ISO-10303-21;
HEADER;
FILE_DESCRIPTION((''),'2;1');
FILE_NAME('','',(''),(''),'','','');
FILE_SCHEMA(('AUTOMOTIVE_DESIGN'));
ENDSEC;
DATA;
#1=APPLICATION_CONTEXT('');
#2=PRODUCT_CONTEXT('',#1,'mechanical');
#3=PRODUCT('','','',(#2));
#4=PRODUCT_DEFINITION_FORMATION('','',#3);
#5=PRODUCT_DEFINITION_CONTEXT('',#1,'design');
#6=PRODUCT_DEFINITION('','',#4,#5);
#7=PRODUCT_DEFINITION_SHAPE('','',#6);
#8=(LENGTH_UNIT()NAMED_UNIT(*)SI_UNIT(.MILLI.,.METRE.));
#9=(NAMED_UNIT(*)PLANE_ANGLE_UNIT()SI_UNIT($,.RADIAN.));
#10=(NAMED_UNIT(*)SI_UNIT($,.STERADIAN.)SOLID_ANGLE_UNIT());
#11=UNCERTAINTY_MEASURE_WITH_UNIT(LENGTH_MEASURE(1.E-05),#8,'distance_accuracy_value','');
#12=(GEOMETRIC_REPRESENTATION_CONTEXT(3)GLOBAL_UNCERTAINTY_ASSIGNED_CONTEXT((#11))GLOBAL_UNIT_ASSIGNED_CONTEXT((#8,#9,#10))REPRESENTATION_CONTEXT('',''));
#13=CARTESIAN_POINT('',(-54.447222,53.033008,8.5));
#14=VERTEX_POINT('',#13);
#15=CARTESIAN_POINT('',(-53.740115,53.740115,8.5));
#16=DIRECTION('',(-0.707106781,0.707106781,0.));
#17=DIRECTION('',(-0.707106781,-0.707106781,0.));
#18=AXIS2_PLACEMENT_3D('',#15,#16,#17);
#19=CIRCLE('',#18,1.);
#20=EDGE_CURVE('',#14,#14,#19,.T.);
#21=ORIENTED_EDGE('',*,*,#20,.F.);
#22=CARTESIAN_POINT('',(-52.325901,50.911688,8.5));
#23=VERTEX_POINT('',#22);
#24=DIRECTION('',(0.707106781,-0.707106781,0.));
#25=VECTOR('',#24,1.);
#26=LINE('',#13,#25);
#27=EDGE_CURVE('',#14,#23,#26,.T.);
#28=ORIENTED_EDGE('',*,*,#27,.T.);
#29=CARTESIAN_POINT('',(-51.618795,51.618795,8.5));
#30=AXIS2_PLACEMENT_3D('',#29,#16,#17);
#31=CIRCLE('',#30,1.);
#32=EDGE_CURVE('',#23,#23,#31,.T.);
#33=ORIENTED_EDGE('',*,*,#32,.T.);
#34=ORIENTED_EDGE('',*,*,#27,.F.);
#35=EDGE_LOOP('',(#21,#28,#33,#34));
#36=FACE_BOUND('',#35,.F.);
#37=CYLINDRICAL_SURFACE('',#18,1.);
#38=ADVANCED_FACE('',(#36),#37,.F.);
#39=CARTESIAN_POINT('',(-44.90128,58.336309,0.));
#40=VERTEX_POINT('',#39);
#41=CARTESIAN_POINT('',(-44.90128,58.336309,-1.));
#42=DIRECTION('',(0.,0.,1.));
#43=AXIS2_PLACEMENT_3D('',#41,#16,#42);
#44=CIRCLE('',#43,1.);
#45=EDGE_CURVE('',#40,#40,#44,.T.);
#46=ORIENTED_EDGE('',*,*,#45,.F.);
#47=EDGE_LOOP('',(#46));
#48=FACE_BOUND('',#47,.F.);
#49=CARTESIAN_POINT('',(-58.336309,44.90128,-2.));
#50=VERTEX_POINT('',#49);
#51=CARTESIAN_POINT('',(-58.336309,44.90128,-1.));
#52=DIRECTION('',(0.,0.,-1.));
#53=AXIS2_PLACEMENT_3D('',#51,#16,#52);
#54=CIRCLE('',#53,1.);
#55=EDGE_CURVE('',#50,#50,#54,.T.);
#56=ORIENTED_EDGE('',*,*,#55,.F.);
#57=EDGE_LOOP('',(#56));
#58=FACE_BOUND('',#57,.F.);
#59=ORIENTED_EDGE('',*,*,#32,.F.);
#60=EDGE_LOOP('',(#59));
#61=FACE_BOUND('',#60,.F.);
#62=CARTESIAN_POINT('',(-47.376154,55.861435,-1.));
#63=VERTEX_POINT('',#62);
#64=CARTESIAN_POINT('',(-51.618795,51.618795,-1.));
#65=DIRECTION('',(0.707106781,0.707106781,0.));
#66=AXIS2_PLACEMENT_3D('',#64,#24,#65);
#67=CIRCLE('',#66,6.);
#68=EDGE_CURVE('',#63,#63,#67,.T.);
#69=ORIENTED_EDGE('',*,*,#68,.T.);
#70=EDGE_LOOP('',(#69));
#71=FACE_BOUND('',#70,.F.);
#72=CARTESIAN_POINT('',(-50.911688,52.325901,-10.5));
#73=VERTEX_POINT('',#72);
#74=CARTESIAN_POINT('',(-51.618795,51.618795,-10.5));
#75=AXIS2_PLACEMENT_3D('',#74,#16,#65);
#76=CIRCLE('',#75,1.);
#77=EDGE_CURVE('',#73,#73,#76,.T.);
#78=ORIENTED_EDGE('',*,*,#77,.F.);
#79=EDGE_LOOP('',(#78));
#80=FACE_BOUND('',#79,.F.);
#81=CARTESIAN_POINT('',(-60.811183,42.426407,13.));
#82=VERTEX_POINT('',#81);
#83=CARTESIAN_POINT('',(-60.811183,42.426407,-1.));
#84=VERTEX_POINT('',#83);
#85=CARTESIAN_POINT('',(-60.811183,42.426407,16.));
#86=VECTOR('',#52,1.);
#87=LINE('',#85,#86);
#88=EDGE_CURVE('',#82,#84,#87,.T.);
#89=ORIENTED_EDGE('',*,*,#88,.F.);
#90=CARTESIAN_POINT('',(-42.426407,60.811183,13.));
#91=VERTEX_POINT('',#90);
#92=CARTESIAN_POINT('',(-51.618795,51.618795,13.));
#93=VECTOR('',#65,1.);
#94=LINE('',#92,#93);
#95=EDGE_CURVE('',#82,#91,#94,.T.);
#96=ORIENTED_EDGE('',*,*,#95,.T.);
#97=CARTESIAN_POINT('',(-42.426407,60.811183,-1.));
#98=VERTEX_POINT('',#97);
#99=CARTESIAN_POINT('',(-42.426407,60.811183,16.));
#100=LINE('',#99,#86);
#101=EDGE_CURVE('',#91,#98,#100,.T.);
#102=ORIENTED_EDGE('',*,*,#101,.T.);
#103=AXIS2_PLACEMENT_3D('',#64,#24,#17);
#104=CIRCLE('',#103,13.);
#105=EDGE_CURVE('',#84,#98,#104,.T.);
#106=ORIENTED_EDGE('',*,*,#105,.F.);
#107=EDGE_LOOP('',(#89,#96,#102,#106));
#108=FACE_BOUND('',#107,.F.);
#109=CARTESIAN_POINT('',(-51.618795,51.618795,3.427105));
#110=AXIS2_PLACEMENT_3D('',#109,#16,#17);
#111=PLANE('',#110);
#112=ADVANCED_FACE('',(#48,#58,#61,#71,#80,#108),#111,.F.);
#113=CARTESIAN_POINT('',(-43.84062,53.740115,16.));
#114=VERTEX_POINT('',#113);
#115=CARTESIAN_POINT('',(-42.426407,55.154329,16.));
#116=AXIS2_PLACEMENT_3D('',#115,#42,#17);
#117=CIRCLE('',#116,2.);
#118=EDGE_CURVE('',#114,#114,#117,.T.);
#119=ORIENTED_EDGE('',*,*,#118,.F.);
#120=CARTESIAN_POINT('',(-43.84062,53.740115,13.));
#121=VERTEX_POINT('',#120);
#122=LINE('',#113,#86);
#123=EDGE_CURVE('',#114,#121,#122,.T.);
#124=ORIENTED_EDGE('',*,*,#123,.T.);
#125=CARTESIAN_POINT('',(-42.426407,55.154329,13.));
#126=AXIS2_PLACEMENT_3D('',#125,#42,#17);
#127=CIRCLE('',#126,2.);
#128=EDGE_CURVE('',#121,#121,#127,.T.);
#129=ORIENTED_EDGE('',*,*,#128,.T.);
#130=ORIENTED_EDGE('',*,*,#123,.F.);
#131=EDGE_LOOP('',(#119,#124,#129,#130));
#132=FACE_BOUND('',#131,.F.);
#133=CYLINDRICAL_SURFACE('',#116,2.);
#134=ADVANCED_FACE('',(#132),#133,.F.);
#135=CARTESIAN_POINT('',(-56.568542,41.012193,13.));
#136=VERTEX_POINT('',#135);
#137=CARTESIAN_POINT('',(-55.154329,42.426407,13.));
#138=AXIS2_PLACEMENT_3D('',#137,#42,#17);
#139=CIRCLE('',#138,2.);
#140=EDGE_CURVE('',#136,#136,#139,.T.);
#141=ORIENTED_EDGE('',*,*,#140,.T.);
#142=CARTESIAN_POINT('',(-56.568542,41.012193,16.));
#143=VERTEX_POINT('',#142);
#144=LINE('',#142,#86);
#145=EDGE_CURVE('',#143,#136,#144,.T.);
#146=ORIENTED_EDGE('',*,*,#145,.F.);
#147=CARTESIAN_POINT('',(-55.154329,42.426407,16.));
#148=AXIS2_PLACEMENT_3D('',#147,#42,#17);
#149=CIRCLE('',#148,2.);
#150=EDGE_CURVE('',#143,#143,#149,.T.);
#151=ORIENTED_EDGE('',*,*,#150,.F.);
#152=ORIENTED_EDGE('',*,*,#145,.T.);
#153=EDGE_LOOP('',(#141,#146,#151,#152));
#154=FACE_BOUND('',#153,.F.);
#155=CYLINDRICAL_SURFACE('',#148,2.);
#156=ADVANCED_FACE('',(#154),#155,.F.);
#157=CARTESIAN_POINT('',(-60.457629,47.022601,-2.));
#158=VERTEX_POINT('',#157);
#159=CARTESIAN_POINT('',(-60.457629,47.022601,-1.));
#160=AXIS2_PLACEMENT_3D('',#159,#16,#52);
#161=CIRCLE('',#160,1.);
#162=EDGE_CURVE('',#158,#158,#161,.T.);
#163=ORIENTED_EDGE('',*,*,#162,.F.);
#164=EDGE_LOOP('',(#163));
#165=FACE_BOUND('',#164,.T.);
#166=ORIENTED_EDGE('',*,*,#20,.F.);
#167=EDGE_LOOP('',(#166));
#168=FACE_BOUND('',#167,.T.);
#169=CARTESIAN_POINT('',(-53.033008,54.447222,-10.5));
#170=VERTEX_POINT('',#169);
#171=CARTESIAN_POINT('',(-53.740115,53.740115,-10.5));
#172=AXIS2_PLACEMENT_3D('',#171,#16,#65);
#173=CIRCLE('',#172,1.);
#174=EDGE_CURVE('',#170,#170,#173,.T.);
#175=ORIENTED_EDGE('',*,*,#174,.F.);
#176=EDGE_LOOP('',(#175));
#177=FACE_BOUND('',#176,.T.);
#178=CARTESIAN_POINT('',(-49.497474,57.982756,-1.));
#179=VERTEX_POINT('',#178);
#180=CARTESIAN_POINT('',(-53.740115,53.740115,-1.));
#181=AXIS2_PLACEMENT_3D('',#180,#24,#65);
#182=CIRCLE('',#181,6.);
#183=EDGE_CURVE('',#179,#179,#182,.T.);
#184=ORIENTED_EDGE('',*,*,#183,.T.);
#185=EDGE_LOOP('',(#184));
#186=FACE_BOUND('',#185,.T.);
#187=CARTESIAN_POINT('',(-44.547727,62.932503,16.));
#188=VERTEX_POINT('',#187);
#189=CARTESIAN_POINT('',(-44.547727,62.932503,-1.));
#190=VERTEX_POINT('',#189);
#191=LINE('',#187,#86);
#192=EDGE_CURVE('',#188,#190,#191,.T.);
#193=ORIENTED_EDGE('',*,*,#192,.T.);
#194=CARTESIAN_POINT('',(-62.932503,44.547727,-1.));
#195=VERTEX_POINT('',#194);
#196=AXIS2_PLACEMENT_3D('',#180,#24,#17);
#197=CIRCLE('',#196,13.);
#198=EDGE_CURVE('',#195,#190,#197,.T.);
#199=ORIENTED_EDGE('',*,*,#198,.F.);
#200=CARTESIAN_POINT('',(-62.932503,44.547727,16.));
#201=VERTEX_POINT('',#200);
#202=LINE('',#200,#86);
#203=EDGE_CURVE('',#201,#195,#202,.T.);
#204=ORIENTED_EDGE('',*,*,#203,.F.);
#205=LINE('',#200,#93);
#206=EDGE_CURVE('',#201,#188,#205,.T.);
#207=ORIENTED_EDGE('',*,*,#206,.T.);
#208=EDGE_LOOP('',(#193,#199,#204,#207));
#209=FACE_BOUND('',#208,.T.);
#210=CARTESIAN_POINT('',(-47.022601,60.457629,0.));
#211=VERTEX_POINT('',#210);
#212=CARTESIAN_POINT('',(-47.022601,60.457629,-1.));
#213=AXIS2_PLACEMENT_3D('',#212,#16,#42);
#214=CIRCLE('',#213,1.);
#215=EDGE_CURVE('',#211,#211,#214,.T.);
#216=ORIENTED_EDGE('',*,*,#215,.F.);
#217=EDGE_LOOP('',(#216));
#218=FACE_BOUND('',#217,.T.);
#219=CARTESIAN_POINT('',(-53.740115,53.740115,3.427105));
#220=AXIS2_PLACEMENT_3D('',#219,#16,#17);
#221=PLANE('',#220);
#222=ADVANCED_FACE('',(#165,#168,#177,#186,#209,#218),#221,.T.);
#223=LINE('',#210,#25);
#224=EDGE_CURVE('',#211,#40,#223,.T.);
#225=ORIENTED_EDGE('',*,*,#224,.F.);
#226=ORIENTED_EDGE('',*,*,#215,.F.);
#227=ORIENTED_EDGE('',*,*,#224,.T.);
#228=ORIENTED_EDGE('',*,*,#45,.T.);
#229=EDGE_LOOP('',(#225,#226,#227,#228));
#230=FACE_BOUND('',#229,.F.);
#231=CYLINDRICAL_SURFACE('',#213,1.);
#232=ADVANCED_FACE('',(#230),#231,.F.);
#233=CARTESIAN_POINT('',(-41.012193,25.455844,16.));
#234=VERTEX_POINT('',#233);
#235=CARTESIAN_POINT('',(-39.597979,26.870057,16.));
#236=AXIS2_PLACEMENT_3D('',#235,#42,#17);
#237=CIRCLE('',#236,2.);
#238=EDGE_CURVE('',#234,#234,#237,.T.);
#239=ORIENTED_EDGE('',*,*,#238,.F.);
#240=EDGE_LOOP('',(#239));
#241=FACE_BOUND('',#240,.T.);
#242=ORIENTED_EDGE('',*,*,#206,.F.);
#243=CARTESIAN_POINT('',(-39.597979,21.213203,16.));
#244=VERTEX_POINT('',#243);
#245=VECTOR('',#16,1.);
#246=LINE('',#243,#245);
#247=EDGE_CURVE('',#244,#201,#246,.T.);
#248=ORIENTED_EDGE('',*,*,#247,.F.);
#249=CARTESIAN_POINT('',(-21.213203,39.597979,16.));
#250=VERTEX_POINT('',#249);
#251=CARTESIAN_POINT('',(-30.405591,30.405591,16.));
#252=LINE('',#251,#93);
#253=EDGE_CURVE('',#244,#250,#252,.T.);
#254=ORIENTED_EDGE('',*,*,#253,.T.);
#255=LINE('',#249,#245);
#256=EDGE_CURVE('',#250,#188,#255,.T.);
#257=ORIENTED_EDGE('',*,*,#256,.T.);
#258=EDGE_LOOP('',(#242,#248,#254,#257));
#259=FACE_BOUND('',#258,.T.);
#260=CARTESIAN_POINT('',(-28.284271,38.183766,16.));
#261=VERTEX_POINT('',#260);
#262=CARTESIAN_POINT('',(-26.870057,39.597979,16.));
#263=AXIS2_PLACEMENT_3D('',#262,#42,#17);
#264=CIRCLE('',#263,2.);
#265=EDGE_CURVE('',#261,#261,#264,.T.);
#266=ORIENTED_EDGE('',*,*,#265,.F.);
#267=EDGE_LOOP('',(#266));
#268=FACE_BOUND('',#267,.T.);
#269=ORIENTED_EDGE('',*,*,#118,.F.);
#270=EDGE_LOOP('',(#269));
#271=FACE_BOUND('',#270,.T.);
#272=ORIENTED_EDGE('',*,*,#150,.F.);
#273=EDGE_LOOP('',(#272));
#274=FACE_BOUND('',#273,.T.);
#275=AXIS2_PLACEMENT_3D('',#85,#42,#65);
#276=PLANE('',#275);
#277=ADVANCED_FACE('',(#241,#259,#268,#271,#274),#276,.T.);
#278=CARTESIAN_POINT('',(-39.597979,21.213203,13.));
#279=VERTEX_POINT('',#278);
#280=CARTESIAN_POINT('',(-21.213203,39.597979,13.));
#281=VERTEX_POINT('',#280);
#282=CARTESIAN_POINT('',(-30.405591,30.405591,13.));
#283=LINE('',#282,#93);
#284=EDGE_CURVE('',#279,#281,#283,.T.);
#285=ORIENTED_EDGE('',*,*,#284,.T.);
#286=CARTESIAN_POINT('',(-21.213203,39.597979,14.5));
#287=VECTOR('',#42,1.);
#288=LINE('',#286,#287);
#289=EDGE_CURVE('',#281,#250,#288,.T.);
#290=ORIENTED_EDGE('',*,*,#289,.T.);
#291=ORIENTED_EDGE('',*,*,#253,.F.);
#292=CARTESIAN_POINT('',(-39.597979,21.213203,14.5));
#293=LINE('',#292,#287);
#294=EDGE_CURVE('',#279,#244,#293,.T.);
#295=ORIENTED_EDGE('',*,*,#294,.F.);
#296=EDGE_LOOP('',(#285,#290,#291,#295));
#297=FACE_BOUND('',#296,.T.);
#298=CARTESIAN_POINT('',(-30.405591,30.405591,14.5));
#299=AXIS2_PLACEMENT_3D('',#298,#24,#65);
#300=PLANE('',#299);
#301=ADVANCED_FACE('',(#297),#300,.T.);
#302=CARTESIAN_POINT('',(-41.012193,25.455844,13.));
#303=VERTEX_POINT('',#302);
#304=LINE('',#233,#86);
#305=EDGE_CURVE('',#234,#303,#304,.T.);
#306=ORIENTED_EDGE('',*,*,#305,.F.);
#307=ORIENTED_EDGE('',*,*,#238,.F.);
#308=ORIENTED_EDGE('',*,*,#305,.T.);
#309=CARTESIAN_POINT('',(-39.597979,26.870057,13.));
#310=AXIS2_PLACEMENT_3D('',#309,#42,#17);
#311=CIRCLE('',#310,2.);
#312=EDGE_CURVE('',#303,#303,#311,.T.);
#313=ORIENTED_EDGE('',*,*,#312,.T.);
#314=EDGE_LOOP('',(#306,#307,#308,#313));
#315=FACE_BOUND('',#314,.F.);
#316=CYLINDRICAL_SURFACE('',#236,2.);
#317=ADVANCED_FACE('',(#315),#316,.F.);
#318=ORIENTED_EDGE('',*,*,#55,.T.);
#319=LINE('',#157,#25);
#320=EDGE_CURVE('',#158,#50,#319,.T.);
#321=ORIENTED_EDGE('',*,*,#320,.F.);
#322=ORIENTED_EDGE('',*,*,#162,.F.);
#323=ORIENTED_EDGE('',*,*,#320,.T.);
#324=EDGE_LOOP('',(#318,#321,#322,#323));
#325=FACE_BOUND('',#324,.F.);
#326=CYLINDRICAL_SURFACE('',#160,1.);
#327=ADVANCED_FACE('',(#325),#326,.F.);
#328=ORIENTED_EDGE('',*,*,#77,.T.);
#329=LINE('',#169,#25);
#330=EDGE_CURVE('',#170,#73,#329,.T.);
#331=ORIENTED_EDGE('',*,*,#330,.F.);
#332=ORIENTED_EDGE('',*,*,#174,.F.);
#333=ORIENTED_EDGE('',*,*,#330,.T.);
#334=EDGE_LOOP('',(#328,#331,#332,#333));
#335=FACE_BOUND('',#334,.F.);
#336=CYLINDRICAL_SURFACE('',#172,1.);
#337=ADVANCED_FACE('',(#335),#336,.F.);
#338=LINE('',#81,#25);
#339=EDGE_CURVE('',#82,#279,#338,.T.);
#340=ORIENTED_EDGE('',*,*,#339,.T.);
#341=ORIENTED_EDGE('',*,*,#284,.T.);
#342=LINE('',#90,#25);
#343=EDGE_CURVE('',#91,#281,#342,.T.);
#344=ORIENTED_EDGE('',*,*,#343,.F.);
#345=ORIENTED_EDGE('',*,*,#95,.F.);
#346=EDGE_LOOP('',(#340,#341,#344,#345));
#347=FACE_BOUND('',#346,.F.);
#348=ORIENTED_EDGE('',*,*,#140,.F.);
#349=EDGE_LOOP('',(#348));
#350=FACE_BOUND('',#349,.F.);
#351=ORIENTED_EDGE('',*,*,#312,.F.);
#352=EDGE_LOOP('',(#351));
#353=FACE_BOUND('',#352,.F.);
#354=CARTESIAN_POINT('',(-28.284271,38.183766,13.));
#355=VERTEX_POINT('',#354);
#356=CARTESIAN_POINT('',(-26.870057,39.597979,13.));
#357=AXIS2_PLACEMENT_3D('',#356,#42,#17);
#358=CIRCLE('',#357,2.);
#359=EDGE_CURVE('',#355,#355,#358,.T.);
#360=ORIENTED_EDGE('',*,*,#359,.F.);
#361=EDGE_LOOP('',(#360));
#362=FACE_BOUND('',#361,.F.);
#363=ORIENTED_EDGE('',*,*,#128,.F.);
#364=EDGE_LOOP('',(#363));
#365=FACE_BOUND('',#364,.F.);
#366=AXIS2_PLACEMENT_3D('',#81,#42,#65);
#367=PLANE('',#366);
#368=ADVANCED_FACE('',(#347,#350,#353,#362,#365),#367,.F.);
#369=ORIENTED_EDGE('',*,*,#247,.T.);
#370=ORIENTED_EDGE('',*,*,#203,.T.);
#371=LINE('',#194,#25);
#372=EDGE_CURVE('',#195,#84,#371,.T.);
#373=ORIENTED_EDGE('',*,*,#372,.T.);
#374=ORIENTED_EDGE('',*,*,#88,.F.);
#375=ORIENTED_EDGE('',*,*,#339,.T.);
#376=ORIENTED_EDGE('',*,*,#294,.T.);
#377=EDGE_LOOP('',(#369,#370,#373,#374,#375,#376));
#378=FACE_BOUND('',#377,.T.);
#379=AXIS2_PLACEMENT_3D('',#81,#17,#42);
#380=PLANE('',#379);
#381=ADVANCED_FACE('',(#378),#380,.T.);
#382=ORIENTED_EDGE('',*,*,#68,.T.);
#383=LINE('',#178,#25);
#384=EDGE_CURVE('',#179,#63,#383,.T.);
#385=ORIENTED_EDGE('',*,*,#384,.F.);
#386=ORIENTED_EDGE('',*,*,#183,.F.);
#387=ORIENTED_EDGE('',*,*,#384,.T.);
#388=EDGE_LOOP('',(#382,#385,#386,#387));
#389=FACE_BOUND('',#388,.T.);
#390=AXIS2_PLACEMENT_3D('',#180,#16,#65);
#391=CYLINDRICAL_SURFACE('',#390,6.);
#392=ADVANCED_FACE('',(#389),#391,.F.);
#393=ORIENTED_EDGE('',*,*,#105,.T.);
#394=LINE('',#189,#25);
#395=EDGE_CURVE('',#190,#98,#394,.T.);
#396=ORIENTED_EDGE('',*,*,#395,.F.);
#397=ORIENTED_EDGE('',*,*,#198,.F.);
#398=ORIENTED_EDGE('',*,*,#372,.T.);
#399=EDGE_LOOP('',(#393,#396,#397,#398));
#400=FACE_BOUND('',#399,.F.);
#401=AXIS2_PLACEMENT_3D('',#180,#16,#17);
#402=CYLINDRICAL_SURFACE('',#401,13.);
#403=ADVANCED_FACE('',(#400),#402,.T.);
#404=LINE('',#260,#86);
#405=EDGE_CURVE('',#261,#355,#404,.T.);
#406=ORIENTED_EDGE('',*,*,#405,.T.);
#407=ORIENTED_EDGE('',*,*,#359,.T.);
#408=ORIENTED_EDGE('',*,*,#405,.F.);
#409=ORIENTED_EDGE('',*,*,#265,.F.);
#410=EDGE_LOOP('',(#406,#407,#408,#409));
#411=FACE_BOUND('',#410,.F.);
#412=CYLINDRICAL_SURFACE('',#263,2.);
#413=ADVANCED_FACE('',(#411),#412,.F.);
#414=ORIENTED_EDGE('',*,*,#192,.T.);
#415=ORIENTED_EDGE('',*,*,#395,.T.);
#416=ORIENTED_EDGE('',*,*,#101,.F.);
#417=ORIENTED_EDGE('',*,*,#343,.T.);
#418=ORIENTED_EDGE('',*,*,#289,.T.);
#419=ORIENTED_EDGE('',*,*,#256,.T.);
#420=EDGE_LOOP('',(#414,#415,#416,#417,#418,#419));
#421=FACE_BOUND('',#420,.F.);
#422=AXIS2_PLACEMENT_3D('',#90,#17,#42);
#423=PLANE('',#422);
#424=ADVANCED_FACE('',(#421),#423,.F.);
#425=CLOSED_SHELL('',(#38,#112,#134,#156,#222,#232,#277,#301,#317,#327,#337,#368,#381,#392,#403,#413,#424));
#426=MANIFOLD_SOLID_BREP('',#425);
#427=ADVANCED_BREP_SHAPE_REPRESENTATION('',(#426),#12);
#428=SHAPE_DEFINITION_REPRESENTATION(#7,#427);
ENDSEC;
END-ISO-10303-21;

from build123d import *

# Parameters (mm, degrees)
SKETCH084_R             = 6
PAD062_DEPTH            = 3
SKETCH085_W             = 26
SKETCH085_H             = 3
PAD063_DEPTH            = 30
SKETCH086_R             = 2
POCKET029_DEPTH         = 30.001
SKETCH087_R             = 1
POCKET030_DEPTH         = 136.248276
POLARPATTERN012_COUNT   = 4
BODY038_PLACEMENT_ANGLE = 45


with BuildPart() as part:
    # Sketch084 → Pad062 (new body)
    with BuildSketch(Plane.XZ):
        with BuildLine():
            Line((-13, 17), (13, 17))
            Line((13, 17), (13, 0))
            ThreePointArc((-13, 0), (0, -13), (13, 0))
            Line((-13, 17), (-13, 0))
        make_face()
        Circle(SKETCH084_R, mode=Mode.SUBTRACT)
    extrude(amount=PAD062_DEPTH)

    # Sketch085 (on Face7 of Pad062) → Pad063 (join)
    with BuildSketch(Plane.XZ.offset(3)):
        with Locations((0, 15.5)):
            Rectangle(SKETCH085_W, SKETCH085_H)
    extrude(amount=PAD063_DEPTH)

    # Sketch086 (on Face5 of Pad063) → Pocket029 (cut, through all)
    with BuildSketch(Plane(origin=(0, 0, 17), x_dir=(-1, 0, 0), z_dir=(0, 0, 1))):
        with Locations((-9, 7)):
            Circle(SKETCH086_R)
        with Locations((9, 7)):
            Circle(SKETCH086_R)
        with Locations((-9, 29)):
            Circle(SKETCH086_R)
        with Locations((9, 29)):
            Circle(SKETCH086_R)
    extrude(amount=-POCKET029_DEPTH, mode=Mode.SUBTRACT)

    # Sketch087 (on Face4 of Pocket029) → Pocket030 (cut, through all)
    with BuildSketch(Plane(origin=(0, 0, 0), x_dir=(1, 0, 0), z_dir=(0, 1, 0))):
        with Locations((0, 9.5)):
            Circle(SKETCH087_R)
    pocket030 = extrude(amount=-POCKET030_DEPTH, mode=Mode.SUBTRACT)

    # PolarPattern012: Pocket030 ×4 about axis
    polarpattern012_axis = Axis((0, 0, 0), (0, 1, 0))
    for i in range(1, POLARPATTERN012_COUNT):
        add(pocket030.rotate(polarpattern012_axis, i * 360 / POLARPATTERN012_COUNT), mode=Mode.SUBTRACT)


with BuildPart() as part_1:
    # Body038 placement: moved
    add(part.part.moved(Location((-53.740115, 53.740115, -1))).rotate(Axis((-53.740115, 53.740115, -1), (0, 0, 1)), BODY038_PLACEMENT_ANGLE))


solid = part_1.part
